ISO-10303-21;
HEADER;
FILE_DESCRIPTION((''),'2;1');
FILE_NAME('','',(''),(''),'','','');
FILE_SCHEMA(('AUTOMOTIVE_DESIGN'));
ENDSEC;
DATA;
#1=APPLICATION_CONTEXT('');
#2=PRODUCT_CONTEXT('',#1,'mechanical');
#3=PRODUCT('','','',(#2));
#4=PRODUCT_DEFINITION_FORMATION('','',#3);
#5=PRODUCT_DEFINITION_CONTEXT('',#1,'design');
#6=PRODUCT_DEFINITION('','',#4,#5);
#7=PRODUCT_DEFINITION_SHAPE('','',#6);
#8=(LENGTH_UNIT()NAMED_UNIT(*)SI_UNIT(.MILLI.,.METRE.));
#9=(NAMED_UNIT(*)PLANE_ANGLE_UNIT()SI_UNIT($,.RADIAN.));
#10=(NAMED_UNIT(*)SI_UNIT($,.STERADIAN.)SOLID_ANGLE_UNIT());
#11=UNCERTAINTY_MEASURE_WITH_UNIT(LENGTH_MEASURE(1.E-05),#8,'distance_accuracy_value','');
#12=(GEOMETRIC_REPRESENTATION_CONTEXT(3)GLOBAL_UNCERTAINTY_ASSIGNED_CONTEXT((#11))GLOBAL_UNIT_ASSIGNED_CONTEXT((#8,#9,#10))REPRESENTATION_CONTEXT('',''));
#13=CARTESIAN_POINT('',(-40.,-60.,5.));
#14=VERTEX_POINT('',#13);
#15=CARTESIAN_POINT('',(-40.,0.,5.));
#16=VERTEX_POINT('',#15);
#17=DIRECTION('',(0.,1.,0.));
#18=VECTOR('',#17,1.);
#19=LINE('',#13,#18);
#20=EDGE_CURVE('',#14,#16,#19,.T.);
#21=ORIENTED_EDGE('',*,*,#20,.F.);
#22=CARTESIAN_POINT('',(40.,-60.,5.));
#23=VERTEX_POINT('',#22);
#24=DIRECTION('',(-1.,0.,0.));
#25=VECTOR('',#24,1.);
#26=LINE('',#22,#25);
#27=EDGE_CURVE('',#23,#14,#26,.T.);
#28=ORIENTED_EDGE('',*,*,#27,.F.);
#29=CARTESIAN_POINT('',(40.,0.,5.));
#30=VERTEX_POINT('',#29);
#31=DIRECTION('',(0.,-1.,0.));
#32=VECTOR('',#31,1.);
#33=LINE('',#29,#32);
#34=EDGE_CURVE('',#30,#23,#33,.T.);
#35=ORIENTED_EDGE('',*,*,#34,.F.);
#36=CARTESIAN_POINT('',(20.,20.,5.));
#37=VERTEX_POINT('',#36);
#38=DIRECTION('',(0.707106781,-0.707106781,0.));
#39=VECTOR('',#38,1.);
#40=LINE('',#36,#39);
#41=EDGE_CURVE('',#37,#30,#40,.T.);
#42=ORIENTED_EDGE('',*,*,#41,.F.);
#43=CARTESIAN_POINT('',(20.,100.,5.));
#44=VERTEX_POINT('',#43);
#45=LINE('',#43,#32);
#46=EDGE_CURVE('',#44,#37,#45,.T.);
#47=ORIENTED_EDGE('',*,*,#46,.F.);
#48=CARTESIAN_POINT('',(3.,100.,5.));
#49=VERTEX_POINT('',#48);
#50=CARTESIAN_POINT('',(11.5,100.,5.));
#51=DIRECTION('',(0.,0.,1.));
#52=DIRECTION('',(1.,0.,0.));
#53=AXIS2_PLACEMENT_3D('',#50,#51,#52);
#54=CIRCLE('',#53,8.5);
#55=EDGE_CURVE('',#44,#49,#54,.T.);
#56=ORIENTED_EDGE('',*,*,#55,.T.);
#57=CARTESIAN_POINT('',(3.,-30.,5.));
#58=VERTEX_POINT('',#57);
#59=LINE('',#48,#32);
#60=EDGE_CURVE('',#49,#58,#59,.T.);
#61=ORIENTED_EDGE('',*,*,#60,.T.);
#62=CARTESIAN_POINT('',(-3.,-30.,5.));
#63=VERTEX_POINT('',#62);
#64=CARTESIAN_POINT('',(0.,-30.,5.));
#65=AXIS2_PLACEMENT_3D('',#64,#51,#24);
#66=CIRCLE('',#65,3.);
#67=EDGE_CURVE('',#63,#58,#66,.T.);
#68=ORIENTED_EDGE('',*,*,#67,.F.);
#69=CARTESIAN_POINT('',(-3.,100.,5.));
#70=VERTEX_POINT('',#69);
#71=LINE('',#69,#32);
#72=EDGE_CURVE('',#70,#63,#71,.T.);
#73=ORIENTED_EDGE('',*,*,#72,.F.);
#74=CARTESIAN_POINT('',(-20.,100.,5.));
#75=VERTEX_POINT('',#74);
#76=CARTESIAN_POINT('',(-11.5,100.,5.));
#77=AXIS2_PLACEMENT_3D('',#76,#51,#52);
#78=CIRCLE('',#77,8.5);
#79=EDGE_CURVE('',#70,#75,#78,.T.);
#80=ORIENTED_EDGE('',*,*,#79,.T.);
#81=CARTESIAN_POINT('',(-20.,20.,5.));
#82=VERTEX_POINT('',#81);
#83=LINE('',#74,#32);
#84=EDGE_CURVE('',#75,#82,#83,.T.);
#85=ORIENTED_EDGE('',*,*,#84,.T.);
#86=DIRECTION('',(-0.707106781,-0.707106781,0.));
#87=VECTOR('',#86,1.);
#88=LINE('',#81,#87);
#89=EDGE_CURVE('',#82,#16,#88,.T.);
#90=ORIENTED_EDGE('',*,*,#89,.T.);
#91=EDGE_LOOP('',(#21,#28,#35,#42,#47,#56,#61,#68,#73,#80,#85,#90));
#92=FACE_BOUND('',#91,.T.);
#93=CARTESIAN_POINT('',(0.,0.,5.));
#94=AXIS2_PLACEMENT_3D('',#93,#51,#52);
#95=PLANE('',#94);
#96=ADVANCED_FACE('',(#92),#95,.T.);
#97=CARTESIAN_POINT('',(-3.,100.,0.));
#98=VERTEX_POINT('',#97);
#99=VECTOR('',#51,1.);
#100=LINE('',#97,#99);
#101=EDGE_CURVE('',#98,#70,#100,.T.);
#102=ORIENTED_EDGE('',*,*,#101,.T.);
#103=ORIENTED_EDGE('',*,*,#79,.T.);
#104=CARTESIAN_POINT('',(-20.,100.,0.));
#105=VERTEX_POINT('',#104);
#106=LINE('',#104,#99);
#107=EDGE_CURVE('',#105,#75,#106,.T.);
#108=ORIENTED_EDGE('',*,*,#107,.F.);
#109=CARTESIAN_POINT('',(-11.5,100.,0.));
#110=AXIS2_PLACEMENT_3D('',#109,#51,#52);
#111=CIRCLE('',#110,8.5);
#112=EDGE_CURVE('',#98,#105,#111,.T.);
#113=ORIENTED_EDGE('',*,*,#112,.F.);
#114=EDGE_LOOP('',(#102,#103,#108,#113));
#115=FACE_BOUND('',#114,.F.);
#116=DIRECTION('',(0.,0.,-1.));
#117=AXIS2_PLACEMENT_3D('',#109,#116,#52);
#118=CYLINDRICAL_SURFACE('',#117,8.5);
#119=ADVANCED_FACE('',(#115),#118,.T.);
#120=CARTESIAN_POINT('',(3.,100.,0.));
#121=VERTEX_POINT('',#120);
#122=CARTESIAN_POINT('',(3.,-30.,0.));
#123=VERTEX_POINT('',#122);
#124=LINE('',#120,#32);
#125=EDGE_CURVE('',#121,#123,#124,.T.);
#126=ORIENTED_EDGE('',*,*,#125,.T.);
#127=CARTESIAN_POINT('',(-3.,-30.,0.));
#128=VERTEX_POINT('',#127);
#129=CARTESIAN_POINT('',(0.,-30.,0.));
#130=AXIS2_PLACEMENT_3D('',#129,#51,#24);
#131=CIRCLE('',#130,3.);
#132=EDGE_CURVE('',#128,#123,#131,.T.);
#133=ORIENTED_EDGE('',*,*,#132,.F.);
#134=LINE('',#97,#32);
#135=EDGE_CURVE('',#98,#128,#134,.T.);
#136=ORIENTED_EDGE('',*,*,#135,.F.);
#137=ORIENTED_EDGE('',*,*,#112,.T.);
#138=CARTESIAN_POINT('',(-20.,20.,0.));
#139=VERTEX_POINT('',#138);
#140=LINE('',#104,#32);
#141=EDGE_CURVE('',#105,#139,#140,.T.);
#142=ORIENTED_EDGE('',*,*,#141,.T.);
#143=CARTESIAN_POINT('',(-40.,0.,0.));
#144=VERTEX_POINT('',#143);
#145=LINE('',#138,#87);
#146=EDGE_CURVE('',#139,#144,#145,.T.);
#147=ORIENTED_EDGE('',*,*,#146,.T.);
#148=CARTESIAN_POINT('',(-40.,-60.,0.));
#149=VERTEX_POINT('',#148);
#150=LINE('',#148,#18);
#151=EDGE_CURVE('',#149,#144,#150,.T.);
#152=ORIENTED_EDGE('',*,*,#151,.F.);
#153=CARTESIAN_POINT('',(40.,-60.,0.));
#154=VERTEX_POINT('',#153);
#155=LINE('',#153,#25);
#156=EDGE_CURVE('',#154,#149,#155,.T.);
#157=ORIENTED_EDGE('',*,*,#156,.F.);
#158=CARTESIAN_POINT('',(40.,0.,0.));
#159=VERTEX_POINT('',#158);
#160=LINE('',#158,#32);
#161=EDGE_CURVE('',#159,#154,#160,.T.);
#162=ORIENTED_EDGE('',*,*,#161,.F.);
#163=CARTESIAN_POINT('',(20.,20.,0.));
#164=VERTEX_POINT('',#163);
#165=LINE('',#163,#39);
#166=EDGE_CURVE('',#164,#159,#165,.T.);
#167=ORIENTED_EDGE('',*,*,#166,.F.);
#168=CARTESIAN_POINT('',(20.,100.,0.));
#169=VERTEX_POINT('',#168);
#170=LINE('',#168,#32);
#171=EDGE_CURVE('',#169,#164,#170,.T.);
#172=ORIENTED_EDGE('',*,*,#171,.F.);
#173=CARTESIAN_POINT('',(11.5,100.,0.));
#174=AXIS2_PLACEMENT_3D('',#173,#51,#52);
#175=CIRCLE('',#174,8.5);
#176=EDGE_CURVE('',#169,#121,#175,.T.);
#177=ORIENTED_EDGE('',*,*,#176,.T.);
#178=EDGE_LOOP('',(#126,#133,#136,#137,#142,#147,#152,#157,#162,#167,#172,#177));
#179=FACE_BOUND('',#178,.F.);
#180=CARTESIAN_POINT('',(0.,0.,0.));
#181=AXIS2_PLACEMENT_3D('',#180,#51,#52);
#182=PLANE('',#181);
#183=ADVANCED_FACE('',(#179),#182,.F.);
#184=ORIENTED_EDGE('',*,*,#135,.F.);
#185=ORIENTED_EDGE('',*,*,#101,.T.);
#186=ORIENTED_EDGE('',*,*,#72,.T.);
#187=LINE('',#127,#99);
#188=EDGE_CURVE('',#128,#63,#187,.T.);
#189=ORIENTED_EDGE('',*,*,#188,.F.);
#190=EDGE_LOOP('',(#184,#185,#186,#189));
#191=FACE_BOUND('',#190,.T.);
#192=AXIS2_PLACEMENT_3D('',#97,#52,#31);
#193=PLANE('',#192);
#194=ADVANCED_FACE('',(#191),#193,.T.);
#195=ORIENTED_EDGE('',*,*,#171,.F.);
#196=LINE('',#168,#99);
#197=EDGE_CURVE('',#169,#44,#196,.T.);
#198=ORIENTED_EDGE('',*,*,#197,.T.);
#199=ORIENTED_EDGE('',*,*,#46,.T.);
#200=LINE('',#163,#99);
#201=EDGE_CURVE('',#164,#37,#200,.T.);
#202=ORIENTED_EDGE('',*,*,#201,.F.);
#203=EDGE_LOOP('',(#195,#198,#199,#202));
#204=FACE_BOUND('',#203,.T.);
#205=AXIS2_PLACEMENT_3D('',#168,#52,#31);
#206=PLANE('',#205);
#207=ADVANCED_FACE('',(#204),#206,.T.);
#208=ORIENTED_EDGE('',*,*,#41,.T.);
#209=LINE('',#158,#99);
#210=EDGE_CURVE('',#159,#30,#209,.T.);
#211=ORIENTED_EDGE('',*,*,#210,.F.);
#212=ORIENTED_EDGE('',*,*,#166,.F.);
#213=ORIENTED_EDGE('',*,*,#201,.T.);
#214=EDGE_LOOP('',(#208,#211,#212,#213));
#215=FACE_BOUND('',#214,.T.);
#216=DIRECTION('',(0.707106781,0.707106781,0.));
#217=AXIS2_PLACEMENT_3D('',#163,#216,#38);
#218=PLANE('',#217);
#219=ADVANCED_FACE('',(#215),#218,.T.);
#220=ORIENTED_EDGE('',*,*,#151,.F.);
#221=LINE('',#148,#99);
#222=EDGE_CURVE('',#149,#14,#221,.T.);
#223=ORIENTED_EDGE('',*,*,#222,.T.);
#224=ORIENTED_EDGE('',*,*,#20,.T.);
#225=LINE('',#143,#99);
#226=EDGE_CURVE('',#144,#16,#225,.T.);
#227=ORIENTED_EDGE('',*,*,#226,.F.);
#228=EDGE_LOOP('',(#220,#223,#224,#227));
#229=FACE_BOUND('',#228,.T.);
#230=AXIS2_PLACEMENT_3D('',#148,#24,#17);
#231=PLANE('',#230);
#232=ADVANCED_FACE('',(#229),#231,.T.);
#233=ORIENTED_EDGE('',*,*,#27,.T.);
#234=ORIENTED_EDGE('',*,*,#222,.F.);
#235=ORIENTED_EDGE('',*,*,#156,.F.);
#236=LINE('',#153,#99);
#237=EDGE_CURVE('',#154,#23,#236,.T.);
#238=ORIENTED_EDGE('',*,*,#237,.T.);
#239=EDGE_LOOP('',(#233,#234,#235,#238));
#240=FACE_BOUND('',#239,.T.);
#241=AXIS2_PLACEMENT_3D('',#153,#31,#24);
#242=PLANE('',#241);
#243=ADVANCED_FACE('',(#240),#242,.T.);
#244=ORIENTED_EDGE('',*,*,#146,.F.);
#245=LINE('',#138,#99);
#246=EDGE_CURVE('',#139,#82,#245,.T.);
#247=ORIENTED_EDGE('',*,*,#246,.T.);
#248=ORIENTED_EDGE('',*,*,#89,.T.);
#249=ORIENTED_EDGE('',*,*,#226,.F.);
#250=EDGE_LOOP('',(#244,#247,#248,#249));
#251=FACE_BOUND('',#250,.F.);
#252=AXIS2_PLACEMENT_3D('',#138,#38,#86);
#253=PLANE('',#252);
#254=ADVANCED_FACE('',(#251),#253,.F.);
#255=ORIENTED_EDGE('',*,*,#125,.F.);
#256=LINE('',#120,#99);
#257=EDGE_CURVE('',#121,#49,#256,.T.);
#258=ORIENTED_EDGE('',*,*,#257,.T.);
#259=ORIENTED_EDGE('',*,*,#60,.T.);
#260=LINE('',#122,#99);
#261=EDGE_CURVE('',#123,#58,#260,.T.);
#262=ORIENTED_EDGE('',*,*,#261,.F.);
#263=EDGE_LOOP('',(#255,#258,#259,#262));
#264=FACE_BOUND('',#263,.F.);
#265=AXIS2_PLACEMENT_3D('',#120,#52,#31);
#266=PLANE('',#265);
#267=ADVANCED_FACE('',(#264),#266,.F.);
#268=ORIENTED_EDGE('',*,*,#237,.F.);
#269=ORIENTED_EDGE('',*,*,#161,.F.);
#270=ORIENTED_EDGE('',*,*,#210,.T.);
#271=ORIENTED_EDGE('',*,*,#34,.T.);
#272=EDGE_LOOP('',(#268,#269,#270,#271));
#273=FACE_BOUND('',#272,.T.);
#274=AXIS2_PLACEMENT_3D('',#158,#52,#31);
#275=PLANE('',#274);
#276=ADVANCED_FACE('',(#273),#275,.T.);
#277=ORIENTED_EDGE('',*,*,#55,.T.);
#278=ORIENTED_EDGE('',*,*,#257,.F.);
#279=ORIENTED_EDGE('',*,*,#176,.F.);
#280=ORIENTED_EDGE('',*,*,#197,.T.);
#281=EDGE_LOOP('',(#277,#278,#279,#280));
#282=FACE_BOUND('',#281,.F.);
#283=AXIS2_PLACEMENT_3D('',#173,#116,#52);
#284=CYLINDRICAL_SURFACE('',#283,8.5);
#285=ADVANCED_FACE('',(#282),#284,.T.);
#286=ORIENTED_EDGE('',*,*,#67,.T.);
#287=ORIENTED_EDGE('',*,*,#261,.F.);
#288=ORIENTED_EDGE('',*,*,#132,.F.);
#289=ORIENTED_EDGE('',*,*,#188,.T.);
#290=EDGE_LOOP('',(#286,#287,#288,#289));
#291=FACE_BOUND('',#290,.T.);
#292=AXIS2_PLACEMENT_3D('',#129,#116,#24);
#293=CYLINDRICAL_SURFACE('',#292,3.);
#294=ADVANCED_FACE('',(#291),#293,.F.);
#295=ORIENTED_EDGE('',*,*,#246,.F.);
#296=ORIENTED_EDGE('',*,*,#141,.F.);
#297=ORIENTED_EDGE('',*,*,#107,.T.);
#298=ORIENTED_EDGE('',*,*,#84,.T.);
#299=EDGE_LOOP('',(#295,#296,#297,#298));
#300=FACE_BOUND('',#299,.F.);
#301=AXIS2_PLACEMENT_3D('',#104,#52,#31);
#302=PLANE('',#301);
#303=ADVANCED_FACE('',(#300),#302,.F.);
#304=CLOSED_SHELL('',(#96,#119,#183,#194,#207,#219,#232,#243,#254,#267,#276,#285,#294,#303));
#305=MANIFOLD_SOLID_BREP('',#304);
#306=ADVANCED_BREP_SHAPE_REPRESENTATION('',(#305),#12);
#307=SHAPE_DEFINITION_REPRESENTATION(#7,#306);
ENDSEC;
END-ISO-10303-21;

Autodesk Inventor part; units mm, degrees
ref_plane "YZ Plane" through (0, 0, 0) normal (1, 0, 0) x (0, 1, 0)
ref_plane "XZ Plane" through (0, 0, 0) normal (0, 1, 0) x (-1, 0, 0)
ref_plane "XY Plane" through (0, 0, 0) normal (0, 0, 1) x (1, 0, 0)
sketch "Sketch1" plane through (0, 0, 0) normal (0, 0, 1) x (1, 0, 0)
  line L0 (40, 0) -> (40, -60)
  line L1 (40, -60) -> (-40, -60)
  line L2 (-40, -60) -> (-40, 0)
  line L3 (40, 0) -> (40, 20) construction
  line L4 (-40, 0) -> (-20, 0) construction
  line L5 (-20, 100) -> (-20, 20)
  line L6 (-20, 20) -> (-40, 0)
  line L7 (-3, 100) -> (-3, -30)
  line L8 (-3, 100) -> (3, 100) construction
  line L9 (3, 100) -> (3, -30)
  line L10 (20, 100) -> (20, 20)
  line L11 (20, 20) -> (40, 0)
  arc A0 (-3, 100) -> (-20, 100) centre (-11.5, 100) ccw
  arc A1 (20, 100) -> (3, 100) centre (11.5, 100) ccw
  arc A2 (-3, -30) -> (3, -30) centre (0, -30) ccw
  point P0 (0, 0)
  dimension "d2" = 60
  dimension "d3" = 80
  dimension "d4" = 20
  dimension "d5" = 20
  dimension "d9" = 6
  dimension "d10" = 17
  dimension "d11" = 8.5
  dimension "d12" = 8.5
extrude "Extrusion1" add sketch "Sketch1" along normal blind 5
properties part number "clip_3DPrint"
